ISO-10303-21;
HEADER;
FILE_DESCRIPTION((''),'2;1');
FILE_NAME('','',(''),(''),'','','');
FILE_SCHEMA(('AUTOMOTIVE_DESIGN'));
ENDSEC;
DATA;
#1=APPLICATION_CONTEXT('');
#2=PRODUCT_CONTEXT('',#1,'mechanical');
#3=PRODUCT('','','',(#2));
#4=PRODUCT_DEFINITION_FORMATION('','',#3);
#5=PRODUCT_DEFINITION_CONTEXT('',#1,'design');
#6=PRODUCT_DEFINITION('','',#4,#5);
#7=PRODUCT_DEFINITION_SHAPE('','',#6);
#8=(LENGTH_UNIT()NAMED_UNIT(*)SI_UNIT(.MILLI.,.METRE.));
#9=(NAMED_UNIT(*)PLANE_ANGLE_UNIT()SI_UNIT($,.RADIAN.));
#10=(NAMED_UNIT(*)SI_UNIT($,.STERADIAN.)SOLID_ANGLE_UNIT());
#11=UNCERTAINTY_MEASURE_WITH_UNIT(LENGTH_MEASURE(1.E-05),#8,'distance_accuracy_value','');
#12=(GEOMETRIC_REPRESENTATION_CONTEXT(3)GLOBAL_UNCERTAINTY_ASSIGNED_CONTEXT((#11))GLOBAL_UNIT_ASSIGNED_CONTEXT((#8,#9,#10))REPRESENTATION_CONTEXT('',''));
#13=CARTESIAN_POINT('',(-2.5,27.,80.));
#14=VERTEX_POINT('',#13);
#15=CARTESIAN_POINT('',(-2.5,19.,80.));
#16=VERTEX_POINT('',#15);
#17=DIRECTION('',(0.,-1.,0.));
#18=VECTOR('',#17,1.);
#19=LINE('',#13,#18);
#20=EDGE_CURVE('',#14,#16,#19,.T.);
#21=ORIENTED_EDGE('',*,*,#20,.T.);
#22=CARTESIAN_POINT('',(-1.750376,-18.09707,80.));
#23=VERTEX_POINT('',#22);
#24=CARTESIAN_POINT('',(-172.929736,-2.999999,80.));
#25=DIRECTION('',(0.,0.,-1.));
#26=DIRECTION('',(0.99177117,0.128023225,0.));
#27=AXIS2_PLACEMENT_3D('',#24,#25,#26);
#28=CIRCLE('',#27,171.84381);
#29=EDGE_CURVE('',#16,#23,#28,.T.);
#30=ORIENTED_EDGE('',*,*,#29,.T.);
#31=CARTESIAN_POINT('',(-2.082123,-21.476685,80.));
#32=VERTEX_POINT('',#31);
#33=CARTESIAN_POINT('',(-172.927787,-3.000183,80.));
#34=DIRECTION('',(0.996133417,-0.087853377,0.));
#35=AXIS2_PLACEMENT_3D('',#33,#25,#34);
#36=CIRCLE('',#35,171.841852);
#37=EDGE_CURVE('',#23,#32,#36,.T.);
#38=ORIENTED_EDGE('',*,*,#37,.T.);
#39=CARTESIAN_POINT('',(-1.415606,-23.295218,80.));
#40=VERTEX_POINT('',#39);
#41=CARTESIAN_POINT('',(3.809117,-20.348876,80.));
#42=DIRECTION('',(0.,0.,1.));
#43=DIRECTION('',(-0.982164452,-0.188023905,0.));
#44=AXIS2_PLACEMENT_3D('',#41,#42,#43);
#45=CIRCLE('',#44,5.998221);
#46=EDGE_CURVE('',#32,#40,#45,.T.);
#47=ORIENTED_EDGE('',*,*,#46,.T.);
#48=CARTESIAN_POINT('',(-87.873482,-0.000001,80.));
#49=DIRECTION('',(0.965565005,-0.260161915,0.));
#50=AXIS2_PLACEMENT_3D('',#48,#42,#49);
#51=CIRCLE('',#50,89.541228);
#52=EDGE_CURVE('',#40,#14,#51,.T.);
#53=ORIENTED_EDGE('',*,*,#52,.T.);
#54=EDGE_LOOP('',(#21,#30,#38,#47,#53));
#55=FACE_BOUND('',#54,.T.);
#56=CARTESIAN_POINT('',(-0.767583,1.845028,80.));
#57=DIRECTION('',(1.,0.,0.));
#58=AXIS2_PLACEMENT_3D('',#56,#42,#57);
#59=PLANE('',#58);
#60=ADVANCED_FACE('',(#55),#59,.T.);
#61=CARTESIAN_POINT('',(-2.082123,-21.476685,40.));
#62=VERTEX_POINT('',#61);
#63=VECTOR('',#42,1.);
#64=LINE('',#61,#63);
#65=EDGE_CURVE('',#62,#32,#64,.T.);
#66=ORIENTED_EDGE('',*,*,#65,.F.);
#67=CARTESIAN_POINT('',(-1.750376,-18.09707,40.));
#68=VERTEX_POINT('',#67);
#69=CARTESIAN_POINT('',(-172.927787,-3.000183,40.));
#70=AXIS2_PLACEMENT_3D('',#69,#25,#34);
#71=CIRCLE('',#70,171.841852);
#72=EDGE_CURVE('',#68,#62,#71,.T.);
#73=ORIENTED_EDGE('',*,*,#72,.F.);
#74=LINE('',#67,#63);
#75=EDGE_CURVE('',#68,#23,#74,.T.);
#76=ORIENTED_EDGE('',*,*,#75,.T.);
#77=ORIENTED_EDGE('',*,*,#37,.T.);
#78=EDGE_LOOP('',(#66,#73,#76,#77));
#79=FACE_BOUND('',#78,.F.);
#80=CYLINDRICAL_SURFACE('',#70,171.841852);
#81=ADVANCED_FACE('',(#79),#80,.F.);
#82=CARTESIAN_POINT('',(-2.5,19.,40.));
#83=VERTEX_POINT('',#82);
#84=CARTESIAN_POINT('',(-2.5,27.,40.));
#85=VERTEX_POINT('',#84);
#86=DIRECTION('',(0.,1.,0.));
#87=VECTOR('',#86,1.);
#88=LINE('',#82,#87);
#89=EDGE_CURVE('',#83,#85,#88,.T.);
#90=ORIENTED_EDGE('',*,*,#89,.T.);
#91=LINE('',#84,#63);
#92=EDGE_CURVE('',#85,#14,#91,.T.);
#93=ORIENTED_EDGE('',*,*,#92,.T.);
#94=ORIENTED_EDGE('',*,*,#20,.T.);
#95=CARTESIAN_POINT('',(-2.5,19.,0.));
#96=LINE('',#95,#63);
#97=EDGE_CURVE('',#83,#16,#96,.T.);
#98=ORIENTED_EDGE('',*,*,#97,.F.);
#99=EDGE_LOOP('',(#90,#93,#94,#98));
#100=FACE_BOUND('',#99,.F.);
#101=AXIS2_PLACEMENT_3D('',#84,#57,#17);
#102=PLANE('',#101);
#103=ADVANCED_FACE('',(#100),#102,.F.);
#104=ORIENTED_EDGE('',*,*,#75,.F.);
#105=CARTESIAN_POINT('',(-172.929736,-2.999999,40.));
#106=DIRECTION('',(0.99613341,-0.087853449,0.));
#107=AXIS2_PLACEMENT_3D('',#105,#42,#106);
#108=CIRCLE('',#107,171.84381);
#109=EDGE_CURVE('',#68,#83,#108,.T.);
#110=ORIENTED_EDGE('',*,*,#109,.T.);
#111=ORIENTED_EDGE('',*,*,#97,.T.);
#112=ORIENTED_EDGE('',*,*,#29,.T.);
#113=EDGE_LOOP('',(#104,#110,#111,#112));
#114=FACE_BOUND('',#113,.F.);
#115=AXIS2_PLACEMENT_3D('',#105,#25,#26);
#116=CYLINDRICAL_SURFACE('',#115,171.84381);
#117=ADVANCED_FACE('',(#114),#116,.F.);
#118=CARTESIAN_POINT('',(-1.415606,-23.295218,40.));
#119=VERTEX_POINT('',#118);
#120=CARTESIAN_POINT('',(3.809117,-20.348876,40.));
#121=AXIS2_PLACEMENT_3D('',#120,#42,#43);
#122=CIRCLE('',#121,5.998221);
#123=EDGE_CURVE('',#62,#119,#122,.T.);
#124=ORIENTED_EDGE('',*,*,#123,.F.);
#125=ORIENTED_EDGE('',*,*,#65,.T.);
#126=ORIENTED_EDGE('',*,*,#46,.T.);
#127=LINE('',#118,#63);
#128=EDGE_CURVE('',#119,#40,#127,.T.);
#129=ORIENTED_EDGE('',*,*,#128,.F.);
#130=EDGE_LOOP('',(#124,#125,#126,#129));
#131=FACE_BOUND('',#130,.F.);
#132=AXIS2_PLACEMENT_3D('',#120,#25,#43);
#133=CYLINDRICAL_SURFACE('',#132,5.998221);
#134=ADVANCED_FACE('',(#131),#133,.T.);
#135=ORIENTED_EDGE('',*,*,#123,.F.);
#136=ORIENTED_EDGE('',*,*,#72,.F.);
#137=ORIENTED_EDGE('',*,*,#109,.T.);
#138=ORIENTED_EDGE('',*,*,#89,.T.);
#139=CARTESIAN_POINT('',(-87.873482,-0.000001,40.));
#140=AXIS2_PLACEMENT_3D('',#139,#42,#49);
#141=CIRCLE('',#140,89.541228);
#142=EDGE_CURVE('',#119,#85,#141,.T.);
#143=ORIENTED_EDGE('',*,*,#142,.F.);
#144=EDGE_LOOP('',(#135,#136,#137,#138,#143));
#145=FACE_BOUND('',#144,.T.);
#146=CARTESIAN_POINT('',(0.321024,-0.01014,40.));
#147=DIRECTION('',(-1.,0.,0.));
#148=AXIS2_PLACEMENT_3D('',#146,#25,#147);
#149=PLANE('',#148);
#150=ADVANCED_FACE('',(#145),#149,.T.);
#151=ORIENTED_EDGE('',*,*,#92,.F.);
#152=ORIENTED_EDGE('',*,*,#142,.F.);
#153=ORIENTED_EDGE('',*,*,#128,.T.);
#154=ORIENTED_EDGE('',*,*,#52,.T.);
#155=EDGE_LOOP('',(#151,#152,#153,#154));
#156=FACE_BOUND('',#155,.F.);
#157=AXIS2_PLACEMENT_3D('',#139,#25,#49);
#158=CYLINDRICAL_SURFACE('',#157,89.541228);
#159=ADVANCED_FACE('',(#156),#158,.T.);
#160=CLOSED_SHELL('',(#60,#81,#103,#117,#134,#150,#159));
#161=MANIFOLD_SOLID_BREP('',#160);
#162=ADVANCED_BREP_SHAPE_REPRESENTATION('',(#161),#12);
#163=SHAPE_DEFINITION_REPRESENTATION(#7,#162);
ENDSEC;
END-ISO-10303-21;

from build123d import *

# Parameters (mm, degrees)
F0_W     = 5
F0_H     = 54
F1_DEPTH = 40
F3_DEPTH = 40
F4_DEPTH = 40
F5_DEPTH = 40


with BuildPart() as f1:
    # F0 (on Top) → F1 (new body)
    with BuildSketch(Plane.XY):
        Rectangle(F0_W, F0_H)
    extrude(amount=F1_DEPTH)

    # F2 (on face) → F3 (cut)
    with BuildSketch(Plane.XY.offset(40)):
        with BuildLine():
            ThreePointArc((-1.750376, -18.09707), (-1.121, 0.471757), (-2.5, 19))
            Line((-2.5, 19), (-2.5, -25))
            ThreePointArc((-2.5, -25), (-2.281968, -23.239421), (-2.082123, -21.476685))
            ThreePointArc((-2.082123, -21.476685), (-2.160412, -19.76291), (-1.750376, -18.09707))
        make_face()
    extrude(amount=-F3_DEPTH, mode=Mode.SUBTRACT)

    # F2 (on face) → F4 (join)
    with BuildSketch(Plane.XY.offset(40)):
        with BuildLine():
            ThreePointArc((-1.415606, -23.295218), (1.646941, 1.930112), (-2.5, 27))
            Line((-2.5, 27), (-2.5, 19))
            ThreePointArc((-2.5, 19), (-1.121, 0.471757), (-1.750376, -18.09707))
            ThreePointArc((-1.750376, -18.09707), (-1.907901, -19.787697), (-2.082123, -21.476685))
            ThreePointArc((-2.082123, -21.476685), (-1.82275, -22.413031), (-1.415606, -23.295218))
        make_face()
    extrude(amount=F4_DEPTH)

    # F1_face (on face) → F5 (cut)
    with BuildSketch(Plane.XY.offset(40)):
        with BuildLine():
            Line((2.5, 27), (2.5, -27))
            Line((2.5, -27), (-2.5, -27))
            Line((-2.5, -27), (-2.5, -25))
            ThreePointArc((-2.5, -25), (-2.281968, -23.239421), (-2.082123, -21.476685))
            ThreePointArc((-2.082123, -21.476685), (-2.160412, -19.76291), (-1.750376, -18.09707))
            ThreePointArc((-1.750376, -18.09707), (-1.121, 0.471757), (-2.5, 19))
            Line((-2.5, 19), (-2.5, 27))
            Line((-2.5, 27), (2.5, 27))
        make_face()
    extrude(amount=-F5_DEPTH, mode=Mode.SUBTRACT)


solid = f1.part
